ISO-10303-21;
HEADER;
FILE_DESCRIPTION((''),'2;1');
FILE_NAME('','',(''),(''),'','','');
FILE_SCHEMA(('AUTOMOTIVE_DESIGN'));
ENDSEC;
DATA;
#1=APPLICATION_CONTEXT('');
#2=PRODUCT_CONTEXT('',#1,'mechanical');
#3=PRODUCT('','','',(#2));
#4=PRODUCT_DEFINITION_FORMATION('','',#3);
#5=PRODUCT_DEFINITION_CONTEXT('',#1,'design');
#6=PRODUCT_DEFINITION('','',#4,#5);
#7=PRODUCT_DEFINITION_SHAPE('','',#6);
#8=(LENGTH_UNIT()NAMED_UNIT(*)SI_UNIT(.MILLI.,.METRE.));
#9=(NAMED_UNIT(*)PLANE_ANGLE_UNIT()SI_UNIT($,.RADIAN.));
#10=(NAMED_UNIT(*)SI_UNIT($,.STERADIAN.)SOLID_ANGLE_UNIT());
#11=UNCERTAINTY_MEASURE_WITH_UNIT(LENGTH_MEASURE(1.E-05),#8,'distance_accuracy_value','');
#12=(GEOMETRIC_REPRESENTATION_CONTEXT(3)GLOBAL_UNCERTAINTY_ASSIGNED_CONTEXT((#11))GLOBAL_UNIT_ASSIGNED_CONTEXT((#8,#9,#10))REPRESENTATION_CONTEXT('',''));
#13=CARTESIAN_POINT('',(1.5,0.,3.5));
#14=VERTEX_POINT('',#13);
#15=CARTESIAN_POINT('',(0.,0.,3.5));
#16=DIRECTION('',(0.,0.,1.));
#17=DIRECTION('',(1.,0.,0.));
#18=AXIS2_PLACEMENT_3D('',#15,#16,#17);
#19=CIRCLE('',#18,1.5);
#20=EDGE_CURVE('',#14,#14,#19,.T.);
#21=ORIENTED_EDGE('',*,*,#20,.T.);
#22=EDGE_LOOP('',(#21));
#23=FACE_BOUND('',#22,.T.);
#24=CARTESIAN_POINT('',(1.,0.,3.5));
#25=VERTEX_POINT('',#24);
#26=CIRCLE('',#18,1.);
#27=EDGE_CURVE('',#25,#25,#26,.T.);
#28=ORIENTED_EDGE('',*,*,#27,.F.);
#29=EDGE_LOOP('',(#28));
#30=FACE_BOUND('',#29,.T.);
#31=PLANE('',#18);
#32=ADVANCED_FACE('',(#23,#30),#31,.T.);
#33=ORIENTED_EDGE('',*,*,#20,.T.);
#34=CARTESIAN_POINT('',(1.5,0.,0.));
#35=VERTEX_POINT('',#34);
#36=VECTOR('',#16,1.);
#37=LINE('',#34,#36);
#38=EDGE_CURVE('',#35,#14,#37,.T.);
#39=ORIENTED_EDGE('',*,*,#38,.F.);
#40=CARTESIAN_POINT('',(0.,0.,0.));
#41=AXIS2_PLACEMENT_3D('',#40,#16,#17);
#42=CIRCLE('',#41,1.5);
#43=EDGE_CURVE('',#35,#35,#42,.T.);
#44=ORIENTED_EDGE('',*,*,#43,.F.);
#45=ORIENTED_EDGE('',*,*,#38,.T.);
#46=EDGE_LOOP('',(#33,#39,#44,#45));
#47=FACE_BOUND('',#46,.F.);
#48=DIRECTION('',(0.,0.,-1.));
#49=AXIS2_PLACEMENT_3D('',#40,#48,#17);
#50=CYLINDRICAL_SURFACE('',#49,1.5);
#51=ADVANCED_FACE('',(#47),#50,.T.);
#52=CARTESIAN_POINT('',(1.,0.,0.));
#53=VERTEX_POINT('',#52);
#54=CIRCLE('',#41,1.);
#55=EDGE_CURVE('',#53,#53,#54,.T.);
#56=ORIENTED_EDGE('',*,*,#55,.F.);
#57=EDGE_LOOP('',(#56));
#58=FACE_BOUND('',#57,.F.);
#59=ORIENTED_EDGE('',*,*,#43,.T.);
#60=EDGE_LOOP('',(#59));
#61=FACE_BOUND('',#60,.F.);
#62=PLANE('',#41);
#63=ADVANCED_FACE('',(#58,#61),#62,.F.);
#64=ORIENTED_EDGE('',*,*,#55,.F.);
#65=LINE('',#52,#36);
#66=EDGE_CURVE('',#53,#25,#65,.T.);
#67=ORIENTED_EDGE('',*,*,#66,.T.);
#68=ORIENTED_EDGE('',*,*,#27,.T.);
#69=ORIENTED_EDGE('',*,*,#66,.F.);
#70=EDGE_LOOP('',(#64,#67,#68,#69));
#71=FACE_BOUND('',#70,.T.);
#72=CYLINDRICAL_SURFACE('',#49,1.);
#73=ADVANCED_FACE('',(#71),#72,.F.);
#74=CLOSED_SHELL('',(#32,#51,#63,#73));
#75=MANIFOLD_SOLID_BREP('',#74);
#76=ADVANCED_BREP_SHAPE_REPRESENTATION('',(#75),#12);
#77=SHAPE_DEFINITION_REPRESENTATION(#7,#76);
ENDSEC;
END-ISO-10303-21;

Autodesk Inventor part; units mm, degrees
ref_plane "YZ Plane" through (0, 0, 0) normal (1, 0, 0) x (0, 1, 0)
ref_plane "XZ Plane" through (0, 0, 0) normal (0, 1, 0) x (-1, 0, 0)
ref_plane "XY Plane" through (0, 0, 0) normal (0, 0, 1) x (1, 0, 0)
sketch "スケッチ1" plane through (0, 0, 0) normal (0, 0, 1) x (1, 0, 0)
  circle A0 centre (0, 0) radius 1.5
  circle A1 centre (0, 0) radius 1
  dimension "d0" = 3
  dimension "d1" = 2
extrude "押し出し1" add sketch "スケッチ1" along normal blind 3.5
properties part number "spacer_2_3_l3.5" material "鋼"
